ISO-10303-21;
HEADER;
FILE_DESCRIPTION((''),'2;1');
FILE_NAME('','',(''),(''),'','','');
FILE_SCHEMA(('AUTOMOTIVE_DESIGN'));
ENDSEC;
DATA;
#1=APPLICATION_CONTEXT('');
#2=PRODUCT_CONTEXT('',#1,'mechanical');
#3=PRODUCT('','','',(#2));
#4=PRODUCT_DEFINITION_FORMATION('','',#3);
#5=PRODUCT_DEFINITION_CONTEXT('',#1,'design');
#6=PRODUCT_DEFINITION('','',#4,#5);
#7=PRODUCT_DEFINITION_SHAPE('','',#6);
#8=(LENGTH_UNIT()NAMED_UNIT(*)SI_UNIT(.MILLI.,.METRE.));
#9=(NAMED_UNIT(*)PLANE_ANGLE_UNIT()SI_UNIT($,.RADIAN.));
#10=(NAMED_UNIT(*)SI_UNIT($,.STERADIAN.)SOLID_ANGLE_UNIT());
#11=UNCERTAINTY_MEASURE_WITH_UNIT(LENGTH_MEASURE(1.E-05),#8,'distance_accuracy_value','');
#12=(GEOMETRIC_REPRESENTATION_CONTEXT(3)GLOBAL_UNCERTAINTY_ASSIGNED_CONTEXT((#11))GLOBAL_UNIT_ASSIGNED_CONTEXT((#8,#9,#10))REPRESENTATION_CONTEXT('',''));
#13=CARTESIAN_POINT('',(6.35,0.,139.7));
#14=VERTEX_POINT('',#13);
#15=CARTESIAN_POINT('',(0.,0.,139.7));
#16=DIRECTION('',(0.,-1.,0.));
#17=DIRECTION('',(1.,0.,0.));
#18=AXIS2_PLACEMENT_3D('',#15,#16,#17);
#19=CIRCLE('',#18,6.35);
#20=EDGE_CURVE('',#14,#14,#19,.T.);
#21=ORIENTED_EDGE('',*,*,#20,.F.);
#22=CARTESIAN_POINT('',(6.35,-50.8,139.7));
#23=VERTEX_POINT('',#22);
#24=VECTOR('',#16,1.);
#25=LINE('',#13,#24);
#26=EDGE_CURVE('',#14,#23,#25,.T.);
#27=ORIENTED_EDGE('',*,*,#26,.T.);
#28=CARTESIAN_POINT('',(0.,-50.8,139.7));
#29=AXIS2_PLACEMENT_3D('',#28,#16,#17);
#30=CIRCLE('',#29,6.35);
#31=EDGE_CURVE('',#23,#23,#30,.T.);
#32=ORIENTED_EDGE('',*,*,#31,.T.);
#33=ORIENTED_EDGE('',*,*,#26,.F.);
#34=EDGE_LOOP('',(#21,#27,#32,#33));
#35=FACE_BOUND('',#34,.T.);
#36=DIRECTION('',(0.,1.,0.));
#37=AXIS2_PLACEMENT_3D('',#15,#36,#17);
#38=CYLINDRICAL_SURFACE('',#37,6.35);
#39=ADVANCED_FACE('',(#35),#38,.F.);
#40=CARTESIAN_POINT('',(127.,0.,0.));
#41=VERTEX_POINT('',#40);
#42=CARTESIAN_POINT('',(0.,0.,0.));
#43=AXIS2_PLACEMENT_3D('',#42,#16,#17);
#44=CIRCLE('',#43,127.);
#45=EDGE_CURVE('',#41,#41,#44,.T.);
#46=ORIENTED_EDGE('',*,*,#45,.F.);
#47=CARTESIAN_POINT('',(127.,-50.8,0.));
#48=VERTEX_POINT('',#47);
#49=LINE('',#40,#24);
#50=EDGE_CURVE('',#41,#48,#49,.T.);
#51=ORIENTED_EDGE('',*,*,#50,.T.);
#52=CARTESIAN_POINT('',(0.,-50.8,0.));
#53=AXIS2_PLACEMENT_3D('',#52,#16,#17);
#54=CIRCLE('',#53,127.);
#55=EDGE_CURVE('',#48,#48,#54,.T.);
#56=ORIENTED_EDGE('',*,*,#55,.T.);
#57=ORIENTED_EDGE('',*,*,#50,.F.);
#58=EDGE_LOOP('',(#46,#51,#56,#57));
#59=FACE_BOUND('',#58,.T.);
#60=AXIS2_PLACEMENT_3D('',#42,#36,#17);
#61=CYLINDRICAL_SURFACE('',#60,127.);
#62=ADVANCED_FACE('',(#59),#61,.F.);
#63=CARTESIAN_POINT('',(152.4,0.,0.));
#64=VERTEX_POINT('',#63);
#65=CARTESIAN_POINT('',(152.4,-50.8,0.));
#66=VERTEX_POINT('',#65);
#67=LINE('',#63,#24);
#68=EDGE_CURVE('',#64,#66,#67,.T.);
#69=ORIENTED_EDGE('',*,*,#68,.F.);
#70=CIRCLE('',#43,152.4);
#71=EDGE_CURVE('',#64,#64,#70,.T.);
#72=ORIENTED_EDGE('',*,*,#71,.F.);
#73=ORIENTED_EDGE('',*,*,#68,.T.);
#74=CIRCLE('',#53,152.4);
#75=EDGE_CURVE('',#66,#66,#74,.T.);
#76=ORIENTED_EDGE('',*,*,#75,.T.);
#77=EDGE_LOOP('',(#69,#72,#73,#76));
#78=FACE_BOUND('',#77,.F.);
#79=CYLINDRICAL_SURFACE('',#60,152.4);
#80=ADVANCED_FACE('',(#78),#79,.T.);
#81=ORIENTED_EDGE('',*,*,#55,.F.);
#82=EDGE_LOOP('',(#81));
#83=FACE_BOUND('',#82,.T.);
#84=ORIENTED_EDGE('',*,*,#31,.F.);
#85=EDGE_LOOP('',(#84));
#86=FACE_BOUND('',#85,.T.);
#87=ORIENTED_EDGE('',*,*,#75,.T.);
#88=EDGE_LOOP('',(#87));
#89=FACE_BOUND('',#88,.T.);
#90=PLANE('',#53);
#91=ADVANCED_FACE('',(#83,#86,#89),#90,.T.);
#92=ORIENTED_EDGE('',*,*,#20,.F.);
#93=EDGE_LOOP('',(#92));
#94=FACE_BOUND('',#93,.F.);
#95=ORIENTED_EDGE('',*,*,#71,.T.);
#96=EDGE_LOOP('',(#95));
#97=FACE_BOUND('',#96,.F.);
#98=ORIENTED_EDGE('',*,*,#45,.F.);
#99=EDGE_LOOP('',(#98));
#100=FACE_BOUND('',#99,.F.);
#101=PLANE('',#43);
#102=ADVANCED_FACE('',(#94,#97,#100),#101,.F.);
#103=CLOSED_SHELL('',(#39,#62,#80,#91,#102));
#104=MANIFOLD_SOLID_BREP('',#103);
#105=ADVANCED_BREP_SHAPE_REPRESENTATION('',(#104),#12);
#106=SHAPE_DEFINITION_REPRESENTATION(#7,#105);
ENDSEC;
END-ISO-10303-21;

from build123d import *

# Parameters (mm, degrees)
F0_R     = 152.4
F0_R_2   = 127
F0_R_3   = 6.35
F1_DEPTH = 50.8


with BuildPart() as f1:
    # F0 (on Front) → F1 (new body)
    with BuildSketch(Plane.XZ):
        Circle(F0_R)
        Circle(F0_R_2, mode=Mode.SUBTRACT)
        with Locations((0, 139.7)):
            Circle(F0_R_3, mode=Mode.SUBTRACT)
    extrude(amount=F1_DEPTH)


solid = f1.part
